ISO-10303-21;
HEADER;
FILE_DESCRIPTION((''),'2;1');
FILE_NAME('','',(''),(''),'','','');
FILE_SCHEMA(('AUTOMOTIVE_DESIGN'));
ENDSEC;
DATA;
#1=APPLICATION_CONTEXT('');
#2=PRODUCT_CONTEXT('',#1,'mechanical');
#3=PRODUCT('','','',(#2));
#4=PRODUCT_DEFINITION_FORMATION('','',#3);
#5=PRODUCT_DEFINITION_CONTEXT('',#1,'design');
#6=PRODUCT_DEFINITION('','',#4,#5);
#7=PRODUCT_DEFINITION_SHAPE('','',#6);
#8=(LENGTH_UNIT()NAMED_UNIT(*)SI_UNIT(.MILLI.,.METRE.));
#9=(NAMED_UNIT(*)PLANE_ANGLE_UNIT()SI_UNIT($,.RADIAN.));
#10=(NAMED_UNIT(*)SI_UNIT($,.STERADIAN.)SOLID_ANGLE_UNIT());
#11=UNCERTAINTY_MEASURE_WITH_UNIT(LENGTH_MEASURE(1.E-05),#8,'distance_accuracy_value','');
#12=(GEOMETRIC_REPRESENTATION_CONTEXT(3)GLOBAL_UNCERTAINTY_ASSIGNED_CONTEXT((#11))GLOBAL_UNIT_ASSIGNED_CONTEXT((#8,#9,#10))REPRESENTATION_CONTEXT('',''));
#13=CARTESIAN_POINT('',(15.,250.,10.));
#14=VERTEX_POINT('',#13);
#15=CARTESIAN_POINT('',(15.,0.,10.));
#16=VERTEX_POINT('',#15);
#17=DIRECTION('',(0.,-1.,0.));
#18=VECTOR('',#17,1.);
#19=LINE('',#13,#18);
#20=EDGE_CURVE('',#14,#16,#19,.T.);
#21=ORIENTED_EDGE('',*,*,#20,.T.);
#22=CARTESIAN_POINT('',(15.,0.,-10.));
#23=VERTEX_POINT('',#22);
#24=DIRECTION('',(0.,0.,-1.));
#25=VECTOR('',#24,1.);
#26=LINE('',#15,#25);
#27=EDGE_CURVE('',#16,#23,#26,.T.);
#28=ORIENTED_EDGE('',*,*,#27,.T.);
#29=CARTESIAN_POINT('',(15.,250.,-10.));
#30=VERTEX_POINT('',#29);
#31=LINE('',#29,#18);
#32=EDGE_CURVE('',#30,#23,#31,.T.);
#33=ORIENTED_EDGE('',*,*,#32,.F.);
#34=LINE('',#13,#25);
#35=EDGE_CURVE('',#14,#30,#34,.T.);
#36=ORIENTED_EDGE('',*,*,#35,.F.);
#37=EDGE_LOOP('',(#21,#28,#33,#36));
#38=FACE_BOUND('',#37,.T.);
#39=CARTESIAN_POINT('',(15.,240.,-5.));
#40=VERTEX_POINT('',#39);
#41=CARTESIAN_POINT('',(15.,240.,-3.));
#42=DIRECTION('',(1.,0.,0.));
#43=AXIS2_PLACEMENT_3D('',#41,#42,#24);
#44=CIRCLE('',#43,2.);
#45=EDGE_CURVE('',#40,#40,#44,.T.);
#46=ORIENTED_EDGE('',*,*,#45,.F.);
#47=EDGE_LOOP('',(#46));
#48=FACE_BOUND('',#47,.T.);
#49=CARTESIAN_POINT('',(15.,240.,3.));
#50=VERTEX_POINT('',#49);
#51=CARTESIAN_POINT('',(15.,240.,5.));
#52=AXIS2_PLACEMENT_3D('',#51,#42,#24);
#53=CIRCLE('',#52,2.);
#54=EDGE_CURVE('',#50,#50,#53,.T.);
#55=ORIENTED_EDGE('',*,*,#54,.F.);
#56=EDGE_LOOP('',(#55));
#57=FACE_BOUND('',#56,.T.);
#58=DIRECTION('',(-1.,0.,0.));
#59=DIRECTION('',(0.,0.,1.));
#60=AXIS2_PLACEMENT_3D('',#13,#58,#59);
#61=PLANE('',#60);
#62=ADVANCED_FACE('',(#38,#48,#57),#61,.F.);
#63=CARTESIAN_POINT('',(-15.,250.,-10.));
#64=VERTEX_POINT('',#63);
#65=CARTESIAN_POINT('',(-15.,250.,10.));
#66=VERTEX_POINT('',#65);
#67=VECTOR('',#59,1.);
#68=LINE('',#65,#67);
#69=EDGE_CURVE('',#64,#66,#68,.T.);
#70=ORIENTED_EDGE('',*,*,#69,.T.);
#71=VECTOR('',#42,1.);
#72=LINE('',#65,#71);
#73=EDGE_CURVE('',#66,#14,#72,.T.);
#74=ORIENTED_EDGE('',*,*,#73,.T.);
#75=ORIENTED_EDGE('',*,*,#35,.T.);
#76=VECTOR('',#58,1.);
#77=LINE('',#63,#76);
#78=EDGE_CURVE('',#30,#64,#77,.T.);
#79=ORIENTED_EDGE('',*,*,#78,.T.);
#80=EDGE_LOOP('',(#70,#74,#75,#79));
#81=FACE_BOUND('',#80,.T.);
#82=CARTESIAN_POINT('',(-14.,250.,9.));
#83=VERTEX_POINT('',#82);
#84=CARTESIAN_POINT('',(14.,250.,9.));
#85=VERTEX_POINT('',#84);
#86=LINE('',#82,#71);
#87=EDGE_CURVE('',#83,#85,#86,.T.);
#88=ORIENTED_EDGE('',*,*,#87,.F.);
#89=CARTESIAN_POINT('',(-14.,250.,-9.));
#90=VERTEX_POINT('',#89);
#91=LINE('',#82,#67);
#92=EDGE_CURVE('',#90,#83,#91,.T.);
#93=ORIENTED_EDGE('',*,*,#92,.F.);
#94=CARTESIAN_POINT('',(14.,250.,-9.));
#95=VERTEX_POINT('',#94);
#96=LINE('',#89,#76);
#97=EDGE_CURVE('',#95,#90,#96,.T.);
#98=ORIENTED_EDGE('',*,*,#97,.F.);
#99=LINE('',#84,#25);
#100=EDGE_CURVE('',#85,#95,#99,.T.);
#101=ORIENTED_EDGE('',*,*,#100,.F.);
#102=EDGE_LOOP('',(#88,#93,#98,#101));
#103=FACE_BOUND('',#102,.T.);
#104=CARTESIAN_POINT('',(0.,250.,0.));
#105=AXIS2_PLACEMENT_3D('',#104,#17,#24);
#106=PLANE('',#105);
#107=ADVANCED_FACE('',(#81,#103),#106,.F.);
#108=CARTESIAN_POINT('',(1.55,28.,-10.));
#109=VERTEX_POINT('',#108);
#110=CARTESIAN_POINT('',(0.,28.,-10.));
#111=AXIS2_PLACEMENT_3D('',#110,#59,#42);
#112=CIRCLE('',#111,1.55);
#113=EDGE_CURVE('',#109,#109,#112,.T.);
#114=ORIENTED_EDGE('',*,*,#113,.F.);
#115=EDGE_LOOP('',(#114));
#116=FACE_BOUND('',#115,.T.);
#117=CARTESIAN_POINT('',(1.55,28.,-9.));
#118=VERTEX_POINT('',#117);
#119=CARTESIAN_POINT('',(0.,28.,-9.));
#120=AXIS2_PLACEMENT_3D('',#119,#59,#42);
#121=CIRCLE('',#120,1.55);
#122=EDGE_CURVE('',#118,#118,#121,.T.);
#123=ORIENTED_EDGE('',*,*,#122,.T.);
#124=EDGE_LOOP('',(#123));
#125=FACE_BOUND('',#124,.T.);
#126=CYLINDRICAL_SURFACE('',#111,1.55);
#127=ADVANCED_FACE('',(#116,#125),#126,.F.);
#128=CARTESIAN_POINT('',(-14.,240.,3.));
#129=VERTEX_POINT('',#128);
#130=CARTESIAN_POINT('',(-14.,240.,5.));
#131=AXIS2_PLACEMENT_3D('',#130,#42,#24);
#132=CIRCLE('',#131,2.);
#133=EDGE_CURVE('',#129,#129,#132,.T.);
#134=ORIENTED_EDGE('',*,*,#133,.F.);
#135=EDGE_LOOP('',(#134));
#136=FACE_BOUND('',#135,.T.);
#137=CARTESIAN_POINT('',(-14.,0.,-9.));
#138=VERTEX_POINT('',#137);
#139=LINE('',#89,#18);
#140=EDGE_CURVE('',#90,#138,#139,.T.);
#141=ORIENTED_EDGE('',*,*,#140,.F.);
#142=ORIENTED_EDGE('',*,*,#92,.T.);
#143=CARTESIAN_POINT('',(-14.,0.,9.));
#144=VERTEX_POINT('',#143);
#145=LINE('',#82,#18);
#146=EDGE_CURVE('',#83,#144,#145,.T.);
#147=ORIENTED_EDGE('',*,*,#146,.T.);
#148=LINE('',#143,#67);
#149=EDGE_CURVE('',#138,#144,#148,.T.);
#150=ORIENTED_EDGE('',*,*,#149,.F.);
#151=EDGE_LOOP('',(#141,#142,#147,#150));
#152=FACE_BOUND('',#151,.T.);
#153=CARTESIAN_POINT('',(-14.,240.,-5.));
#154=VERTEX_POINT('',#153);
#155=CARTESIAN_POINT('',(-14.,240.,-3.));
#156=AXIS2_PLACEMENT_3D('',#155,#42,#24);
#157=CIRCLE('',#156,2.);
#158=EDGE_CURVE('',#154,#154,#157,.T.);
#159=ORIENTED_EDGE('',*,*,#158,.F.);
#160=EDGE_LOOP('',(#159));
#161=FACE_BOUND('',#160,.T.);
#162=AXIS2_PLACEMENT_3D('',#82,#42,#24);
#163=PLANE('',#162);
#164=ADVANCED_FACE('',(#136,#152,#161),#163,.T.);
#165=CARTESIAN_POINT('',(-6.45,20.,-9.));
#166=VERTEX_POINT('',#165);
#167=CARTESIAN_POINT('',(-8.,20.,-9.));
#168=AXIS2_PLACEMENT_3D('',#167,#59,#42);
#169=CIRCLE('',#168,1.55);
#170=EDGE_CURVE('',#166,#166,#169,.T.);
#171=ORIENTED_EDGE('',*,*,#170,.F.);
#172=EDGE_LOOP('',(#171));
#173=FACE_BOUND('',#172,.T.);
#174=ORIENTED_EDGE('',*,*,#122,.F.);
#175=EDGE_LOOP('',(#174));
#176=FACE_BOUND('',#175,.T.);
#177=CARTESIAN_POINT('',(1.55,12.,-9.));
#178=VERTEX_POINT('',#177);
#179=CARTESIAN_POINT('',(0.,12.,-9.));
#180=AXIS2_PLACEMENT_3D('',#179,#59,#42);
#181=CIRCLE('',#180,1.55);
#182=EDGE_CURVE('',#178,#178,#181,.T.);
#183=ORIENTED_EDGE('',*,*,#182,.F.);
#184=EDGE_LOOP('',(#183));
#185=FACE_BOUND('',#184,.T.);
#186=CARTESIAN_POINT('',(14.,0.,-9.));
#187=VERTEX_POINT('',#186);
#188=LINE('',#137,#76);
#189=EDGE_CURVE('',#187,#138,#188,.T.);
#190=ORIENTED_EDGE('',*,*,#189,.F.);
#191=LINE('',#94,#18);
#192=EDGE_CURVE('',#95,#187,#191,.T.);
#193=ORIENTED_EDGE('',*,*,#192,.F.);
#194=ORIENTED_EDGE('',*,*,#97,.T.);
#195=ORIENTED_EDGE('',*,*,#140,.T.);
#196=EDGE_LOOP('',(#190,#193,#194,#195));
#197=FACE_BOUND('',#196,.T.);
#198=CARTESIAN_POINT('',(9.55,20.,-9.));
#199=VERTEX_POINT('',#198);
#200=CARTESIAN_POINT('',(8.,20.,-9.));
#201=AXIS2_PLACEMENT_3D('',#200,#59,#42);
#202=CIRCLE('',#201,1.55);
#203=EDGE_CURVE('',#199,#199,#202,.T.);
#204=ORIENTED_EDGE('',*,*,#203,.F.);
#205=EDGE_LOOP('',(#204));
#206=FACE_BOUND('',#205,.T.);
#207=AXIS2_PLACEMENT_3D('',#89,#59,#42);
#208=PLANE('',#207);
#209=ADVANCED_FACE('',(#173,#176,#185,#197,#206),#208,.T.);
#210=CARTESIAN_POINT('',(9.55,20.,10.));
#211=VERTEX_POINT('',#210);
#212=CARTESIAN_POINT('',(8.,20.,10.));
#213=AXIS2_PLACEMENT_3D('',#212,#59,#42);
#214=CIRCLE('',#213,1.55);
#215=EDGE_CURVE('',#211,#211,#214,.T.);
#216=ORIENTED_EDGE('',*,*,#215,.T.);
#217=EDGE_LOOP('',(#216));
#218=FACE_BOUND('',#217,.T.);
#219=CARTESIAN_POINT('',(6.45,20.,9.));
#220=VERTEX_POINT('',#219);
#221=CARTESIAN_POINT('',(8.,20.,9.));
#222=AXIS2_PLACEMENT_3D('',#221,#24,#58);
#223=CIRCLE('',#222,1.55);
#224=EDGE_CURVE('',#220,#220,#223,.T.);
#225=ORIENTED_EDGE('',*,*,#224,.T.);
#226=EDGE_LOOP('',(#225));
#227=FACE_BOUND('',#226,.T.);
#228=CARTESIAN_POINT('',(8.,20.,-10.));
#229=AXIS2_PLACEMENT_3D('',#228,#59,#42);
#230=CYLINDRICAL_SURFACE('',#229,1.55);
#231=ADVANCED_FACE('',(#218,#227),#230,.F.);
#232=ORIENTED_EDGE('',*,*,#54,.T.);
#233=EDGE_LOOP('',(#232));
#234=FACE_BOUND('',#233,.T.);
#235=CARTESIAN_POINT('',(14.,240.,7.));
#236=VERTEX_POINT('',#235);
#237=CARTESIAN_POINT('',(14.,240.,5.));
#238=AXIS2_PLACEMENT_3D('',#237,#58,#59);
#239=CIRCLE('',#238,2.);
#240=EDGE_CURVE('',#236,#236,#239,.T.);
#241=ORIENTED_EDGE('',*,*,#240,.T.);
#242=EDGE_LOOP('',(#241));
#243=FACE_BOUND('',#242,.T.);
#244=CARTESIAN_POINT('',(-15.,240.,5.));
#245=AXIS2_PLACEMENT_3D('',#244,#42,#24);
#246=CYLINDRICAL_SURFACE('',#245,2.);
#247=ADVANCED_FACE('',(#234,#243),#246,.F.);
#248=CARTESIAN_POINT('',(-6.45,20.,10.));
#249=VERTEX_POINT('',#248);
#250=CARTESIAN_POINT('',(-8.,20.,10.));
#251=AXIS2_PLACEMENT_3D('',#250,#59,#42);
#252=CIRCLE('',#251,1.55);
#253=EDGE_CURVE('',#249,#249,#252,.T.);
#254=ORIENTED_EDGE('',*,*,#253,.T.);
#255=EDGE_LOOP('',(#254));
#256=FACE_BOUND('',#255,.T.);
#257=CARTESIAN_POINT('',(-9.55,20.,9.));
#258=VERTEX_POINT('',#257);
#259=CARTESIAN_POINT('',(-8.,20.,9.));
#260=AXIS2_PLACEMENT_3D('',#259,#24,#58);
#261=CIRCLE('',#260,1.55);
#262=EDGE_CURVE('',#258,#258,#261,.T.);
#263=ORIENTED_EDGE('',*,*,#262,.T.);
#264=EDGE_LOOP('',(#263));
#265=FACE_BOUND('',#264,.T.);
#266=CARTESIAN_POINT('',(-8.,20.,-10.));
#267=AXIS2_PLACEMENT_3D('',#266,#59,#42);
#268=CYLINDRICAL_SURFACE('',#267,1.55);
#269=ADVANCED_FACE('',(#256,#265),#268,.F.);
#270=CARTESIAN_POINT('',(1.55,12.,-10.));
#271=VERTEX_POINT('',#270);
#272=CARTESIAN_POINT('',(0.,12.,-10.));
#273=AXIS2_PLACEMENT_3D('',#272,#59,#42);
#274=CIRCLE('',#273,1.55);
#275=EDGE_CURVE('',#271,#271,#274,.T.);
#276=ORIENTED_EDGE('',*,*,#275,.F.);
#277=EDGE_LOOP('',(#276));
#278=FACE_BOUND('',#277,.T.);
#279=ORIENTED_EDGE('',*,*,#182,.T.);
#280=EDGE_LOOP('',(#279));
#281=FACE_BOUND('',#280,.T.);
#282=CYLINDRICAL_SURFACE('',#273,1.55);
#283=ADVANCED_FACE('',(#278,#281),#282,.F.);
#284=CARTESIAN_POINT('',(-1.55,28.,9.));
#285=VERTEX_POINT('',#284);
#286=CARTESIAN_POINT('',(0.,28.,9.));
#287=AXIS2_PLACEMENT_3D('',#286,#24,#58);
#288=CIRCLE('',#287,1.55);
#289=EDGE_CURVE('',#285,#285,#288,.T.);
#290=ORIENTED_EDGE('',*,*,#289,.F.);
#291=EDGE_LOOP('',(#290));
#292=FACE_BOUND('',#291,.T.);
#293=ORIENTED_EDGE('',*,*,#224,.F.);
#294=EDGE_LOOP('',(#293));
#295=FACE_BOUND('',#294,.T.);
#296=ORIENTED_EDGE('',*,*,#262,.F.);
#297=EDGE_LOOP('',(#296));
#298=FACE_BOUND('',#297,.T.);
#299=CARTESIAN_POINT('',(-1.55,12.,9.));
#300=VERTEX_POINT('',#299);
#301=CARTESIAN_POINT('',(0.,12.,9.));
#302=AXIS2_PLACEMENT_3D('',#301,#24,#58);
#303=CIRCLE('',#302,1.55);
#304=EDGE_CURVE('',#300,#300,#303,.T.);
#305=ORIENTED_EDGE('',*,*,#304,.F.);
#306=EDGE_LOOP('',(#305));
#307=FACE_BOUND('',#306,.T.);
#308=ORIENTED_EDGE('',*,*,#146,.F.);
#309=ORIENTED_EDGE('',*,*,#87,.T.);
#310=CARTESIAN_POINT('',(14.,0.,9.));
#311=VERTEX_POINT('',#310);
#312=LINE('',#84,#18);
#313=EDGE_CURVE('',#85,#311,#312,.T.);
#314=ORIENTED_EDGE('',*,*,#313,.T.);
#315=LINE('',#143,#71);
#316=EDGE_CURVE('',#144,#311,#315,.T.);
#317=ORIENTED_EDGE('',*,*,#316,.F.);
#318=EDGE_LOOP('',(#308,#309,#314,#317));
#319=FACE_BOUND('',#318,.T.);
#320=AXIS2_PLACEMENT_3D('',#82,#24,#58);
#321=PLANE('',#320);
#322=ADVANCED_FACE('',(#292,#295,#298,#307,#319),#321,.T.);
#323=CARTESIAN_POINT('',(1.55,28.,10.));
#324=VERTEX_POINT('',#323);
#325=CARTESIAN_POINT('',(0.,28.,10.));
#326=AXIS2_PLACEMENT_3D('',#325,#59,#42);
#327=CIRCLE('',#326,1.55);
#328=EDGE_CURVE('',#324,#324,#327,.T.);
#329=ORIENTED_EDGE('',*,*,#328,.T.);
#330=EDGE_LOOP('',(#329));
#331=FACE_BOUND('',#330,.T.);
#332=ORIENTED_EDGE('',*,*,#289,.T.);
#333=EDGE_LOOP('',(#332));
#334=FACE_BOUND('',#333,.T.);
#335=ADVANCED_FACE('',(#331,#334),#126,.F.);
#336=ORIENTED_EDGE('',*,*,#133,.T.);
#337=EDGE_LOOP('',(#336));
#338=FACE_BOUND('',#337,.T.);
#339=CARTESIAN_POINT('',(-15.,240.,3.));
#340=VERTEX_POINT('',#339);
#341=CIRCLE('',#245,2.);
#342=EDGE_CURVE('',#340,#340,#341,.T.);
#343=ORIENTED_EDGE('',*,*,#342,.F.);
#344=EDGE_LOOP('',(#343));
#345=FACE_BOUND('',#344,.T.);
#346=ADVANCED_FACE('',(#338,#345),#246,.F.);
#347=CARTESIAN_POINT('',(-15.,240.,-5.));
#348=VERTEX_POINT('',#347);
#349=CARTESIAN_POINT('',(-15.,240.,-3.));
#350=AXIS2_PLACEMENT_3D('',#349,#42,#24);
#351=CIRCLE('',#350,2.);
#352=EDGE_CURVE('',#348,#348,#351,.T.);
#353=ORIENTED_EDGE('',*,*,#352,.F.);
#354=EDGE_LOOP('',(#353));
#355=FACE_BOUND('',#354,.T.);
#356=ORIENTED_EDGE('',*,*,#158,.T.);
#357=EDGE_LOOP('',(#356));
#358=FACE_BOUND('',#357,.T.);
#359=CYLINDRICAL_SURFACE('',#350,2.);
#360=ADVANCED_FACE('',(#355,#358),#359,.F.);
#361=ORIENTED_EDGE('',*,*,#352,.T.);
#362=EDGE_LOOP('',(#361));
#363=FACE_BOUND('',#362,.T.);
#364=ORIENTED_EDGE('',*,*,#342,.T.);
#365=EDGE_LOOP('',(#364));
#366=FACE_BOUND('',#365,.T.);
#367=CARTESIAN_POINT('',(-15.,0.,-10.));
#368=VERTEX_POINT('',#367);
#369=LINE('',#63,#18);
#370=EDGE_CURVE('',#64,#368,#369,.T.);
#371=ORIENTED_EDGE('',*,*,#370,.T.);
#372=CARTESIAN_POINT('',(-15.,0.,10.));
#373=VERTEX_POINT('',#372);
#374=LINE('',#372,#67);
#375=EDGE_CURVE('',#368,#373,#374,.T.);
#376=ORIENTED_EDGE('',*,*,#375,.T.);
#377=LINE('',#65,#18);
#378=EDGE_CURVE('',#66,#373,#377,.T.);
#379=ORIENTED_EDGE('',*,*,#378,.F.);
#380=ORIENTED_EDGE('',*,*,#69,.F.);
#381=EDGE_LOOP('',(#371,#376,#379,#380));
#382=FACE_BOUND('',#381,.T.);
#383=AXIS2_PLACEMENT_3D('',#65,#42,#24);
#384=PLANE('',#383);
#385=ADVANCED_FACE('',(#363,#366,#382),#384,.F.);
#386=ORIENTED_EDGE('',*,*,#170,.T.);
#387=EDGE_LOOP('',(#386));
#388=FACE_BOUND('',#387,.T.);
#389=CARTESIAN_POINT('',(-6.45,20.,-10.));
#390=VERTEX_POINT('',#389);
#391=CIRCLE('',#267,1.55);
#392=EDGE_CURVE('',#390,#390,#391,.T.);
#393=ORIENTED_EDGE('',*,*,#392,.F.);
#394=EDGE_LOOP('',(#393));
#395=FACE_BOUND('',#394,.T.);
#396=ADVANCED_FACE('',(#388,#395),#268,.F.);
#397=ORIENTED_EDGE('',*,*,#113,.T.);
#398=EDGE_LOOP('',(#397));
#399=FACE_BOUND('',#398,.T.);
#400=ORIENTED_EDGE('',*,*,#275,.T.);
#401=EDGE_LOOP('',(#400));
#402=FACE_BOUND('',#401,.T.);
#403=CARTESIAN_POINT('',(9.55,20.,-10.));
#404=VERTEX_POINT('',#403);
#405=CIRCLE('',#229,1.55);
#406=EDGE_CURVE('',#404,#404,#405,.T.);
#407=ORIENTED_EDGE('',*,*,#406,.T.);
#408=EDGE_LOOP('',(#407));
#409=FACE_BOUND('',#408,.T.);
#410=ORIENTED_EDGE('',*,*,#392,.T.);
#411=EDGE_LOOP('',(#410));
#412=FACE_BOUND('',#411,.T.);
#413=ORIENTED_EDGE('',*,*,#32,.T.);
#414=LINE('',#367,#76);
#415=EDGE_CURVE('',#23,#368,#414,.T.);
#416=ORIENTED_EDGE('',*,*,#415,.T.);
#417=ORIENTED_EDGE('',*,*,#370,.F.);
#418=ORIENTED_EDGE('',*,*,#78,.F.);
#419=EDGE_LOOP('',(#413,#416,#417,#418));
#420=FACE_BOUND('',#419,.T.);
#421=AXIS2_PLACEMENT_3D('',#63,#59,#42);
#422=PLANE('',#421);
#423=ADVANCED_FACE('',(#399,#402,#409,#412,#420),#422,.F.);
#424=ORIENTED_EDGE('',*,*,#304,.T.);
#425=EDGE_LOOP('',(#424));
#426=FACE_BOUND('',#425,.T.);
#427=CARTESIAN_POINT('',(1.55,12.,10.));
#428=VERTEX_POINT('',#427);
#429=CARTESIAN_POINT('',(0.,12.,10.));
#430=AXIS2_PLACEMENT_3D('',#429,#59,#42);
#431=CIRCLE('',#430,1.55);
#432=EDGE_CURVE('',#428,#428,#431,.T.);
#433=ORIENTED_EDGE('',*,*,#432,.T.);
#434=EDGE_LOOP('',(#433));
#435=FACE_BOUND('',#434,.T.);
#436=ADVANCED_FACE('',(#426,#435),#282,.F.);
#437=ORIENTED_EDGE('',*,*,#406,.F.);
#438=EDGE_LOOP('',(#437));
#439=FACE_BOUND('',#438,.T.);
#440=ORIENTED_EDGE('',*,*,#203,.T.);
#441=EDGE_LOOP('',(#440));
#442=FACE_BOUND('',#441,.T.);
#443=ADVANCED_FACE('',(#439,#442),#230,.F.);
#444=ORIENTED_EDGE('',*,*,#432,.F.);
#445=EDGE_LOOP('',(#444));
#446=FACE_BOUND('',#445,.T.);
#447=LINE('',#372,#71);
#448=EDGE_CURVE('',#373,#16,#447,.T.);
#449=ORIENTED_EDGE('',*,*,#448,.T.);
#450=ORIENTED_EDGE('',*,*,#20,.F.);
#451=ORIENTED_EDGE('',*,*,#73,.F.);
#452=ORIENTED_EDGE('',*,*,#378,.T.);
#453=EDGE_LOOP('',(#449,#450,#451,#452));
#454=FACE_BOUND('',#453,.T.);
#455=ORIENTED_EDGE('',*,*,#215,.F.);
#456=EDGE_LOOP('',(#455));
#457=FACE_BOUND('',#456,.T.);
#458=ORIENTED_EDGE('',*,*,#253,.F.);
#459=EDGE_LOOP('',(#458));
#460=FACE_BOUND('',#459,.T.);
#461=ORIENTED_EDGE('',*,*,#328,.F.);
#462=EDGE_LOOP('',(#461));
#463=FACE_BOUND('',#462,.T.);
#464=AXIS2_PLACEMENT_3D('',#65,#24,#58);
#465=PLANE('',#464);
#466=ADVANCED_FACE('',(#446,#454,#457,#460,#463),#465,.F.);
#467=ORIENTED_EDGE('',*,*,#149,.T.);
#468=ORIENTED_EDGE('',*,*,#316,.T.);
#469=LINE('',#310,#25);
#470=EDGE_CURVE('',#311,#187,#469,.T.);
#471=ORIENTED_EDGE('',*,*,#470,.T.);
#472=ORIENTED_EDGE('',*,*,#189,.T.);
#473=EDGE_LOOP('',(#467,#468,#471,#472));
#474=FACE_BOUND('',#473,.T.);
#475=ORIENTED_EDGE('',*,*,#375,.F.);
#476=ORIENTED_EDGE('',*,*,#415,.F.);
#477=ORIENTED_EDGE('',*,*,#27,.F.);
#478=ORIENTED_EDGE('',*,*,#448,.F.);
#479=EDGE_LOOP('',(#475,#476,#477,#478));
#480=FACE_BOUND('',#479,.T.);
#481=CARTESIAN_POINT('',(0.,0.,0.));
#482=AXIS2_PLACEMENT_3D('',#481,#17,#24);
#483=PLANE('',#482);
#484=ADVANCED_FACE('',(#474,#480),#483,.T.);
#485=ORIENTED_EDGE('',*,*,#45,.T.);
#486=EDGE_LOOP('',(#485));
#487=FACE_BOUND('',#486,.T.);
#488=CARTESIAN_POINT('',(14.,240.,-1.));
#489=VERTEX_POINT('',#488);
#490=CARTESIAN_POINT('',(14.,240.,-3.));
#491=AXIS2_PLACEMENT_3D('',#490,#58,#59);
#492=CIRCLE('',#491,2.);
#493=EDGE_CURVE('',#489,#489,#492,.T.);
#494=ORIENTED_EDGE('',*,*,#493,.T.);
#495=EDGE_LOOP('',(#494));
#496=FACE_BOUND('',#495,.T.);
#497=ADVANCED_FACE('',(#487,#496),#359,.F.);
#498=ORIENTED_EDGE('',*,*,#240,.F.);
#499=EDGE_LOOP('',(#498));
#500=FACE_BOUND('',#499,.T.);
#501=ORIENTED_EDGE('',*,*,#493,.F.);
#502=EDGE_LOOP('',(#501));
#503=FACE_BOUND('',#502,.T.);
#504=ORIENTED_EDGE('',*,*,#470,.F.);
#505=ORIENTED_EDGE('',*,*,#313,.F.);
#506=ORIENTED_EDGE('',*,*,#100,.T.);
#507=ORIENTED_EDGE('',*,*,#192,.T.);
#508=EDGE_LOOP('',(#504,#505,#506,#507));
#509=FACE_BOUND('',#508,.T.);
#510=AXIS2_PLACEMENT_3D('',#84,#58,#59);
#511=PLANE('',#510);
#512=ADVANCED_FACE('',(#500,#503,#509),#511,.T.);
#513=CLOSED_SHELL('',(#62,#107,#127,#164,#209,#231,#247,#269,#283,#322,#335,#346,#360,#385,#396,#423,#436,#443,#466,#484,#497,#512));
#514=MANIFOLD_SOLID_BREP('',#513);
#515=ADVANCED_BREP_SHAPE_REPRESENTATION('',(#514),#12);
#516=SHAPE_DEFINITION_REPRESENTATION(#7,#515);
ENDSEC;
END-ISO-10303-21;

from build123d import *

# Parameters (mm, degrees)
SKETCH_1_W               = 30
SKETCH_1_H               = 20
SKETCH_1_W_2             = 28
SKETCH_1_H_2             = 18
EXTRUDE_1_DEPTH          = 250
CUT_EXTRUDE_1_DEPTH      = 251.64915719
CUT_EXTRUDE_1_DEPTH_BACK = 251.64915719
SKETCH_2_R               = 1.55
CUT_EXTRUDE_2_DEPTH      = 251.64915719
CUT_EXTRUDE_2_DEPTH_BACK = 251.64915719
SKETCH_3_R               = 2


with BuildPart() as part:
    # 草图1 → 凸台-拉伸1 (new body)
    with BuildSketch(Plane(origin=(0, 0, 0), x_dir=(1, 0, 0), z_dir=(0, 1, 0))):
        Rectangle(SKETCH_1_W, SKETCH_1_H)
        Rectangle(SKETCH_1_W_2, SKETCH_1_H_2, mode=Mode.SUBTRACT)
    extrude(amount=EXTRUDE_1_DEPTH)

    # 草图2 → 切除-拉伸1 (cut, two sides: drawn at the far end of the back side and taken through both)
    with BuildSketch(Plane.XY.offset(-CUT_EXTRUDE_1_DEPTH_BACK)):
        with Locations((0, 28)):
            Circle(SKETCH_2_R)
        with Locations((8, 20)):
            Circle(SKETCH_2_R)
        with Locations((0, 12)):
            Circle(SKETCH_2_R)
        with Locations((-8, 20)):
            Circle(SKETCH_2_R)
    extrude(amount=CUT_EXTRUDE_1_DEPTH + CUT_EXTRUDE_1_DEPTH_BACK, mode=Mode.SUBTRACT)

    # 草图3 → 切除-拉伸2 (cut, two sides: drawn at the far end of the back side and taken through both)
    with BuildSketch(Plane(origin=(0, 0, 0), x_dir=(0, 0, -1), z_dir=(1, 0, 0)).offset(-CUT_EXTRUDE_2_DEPTH_BACK)):
        with Locations((-5, 240)):
            Circle(SKETCH_3_R)
        with Locations((3, 240)):
            Circle(SKETCH_3_R)
    extrude(amount=CUT_EXTRUDE_2_DEPTH + CUT_EXTRUDE_2_DEPTH_BACK, mode=Mode.SUBTRACT)


solid = part.part
